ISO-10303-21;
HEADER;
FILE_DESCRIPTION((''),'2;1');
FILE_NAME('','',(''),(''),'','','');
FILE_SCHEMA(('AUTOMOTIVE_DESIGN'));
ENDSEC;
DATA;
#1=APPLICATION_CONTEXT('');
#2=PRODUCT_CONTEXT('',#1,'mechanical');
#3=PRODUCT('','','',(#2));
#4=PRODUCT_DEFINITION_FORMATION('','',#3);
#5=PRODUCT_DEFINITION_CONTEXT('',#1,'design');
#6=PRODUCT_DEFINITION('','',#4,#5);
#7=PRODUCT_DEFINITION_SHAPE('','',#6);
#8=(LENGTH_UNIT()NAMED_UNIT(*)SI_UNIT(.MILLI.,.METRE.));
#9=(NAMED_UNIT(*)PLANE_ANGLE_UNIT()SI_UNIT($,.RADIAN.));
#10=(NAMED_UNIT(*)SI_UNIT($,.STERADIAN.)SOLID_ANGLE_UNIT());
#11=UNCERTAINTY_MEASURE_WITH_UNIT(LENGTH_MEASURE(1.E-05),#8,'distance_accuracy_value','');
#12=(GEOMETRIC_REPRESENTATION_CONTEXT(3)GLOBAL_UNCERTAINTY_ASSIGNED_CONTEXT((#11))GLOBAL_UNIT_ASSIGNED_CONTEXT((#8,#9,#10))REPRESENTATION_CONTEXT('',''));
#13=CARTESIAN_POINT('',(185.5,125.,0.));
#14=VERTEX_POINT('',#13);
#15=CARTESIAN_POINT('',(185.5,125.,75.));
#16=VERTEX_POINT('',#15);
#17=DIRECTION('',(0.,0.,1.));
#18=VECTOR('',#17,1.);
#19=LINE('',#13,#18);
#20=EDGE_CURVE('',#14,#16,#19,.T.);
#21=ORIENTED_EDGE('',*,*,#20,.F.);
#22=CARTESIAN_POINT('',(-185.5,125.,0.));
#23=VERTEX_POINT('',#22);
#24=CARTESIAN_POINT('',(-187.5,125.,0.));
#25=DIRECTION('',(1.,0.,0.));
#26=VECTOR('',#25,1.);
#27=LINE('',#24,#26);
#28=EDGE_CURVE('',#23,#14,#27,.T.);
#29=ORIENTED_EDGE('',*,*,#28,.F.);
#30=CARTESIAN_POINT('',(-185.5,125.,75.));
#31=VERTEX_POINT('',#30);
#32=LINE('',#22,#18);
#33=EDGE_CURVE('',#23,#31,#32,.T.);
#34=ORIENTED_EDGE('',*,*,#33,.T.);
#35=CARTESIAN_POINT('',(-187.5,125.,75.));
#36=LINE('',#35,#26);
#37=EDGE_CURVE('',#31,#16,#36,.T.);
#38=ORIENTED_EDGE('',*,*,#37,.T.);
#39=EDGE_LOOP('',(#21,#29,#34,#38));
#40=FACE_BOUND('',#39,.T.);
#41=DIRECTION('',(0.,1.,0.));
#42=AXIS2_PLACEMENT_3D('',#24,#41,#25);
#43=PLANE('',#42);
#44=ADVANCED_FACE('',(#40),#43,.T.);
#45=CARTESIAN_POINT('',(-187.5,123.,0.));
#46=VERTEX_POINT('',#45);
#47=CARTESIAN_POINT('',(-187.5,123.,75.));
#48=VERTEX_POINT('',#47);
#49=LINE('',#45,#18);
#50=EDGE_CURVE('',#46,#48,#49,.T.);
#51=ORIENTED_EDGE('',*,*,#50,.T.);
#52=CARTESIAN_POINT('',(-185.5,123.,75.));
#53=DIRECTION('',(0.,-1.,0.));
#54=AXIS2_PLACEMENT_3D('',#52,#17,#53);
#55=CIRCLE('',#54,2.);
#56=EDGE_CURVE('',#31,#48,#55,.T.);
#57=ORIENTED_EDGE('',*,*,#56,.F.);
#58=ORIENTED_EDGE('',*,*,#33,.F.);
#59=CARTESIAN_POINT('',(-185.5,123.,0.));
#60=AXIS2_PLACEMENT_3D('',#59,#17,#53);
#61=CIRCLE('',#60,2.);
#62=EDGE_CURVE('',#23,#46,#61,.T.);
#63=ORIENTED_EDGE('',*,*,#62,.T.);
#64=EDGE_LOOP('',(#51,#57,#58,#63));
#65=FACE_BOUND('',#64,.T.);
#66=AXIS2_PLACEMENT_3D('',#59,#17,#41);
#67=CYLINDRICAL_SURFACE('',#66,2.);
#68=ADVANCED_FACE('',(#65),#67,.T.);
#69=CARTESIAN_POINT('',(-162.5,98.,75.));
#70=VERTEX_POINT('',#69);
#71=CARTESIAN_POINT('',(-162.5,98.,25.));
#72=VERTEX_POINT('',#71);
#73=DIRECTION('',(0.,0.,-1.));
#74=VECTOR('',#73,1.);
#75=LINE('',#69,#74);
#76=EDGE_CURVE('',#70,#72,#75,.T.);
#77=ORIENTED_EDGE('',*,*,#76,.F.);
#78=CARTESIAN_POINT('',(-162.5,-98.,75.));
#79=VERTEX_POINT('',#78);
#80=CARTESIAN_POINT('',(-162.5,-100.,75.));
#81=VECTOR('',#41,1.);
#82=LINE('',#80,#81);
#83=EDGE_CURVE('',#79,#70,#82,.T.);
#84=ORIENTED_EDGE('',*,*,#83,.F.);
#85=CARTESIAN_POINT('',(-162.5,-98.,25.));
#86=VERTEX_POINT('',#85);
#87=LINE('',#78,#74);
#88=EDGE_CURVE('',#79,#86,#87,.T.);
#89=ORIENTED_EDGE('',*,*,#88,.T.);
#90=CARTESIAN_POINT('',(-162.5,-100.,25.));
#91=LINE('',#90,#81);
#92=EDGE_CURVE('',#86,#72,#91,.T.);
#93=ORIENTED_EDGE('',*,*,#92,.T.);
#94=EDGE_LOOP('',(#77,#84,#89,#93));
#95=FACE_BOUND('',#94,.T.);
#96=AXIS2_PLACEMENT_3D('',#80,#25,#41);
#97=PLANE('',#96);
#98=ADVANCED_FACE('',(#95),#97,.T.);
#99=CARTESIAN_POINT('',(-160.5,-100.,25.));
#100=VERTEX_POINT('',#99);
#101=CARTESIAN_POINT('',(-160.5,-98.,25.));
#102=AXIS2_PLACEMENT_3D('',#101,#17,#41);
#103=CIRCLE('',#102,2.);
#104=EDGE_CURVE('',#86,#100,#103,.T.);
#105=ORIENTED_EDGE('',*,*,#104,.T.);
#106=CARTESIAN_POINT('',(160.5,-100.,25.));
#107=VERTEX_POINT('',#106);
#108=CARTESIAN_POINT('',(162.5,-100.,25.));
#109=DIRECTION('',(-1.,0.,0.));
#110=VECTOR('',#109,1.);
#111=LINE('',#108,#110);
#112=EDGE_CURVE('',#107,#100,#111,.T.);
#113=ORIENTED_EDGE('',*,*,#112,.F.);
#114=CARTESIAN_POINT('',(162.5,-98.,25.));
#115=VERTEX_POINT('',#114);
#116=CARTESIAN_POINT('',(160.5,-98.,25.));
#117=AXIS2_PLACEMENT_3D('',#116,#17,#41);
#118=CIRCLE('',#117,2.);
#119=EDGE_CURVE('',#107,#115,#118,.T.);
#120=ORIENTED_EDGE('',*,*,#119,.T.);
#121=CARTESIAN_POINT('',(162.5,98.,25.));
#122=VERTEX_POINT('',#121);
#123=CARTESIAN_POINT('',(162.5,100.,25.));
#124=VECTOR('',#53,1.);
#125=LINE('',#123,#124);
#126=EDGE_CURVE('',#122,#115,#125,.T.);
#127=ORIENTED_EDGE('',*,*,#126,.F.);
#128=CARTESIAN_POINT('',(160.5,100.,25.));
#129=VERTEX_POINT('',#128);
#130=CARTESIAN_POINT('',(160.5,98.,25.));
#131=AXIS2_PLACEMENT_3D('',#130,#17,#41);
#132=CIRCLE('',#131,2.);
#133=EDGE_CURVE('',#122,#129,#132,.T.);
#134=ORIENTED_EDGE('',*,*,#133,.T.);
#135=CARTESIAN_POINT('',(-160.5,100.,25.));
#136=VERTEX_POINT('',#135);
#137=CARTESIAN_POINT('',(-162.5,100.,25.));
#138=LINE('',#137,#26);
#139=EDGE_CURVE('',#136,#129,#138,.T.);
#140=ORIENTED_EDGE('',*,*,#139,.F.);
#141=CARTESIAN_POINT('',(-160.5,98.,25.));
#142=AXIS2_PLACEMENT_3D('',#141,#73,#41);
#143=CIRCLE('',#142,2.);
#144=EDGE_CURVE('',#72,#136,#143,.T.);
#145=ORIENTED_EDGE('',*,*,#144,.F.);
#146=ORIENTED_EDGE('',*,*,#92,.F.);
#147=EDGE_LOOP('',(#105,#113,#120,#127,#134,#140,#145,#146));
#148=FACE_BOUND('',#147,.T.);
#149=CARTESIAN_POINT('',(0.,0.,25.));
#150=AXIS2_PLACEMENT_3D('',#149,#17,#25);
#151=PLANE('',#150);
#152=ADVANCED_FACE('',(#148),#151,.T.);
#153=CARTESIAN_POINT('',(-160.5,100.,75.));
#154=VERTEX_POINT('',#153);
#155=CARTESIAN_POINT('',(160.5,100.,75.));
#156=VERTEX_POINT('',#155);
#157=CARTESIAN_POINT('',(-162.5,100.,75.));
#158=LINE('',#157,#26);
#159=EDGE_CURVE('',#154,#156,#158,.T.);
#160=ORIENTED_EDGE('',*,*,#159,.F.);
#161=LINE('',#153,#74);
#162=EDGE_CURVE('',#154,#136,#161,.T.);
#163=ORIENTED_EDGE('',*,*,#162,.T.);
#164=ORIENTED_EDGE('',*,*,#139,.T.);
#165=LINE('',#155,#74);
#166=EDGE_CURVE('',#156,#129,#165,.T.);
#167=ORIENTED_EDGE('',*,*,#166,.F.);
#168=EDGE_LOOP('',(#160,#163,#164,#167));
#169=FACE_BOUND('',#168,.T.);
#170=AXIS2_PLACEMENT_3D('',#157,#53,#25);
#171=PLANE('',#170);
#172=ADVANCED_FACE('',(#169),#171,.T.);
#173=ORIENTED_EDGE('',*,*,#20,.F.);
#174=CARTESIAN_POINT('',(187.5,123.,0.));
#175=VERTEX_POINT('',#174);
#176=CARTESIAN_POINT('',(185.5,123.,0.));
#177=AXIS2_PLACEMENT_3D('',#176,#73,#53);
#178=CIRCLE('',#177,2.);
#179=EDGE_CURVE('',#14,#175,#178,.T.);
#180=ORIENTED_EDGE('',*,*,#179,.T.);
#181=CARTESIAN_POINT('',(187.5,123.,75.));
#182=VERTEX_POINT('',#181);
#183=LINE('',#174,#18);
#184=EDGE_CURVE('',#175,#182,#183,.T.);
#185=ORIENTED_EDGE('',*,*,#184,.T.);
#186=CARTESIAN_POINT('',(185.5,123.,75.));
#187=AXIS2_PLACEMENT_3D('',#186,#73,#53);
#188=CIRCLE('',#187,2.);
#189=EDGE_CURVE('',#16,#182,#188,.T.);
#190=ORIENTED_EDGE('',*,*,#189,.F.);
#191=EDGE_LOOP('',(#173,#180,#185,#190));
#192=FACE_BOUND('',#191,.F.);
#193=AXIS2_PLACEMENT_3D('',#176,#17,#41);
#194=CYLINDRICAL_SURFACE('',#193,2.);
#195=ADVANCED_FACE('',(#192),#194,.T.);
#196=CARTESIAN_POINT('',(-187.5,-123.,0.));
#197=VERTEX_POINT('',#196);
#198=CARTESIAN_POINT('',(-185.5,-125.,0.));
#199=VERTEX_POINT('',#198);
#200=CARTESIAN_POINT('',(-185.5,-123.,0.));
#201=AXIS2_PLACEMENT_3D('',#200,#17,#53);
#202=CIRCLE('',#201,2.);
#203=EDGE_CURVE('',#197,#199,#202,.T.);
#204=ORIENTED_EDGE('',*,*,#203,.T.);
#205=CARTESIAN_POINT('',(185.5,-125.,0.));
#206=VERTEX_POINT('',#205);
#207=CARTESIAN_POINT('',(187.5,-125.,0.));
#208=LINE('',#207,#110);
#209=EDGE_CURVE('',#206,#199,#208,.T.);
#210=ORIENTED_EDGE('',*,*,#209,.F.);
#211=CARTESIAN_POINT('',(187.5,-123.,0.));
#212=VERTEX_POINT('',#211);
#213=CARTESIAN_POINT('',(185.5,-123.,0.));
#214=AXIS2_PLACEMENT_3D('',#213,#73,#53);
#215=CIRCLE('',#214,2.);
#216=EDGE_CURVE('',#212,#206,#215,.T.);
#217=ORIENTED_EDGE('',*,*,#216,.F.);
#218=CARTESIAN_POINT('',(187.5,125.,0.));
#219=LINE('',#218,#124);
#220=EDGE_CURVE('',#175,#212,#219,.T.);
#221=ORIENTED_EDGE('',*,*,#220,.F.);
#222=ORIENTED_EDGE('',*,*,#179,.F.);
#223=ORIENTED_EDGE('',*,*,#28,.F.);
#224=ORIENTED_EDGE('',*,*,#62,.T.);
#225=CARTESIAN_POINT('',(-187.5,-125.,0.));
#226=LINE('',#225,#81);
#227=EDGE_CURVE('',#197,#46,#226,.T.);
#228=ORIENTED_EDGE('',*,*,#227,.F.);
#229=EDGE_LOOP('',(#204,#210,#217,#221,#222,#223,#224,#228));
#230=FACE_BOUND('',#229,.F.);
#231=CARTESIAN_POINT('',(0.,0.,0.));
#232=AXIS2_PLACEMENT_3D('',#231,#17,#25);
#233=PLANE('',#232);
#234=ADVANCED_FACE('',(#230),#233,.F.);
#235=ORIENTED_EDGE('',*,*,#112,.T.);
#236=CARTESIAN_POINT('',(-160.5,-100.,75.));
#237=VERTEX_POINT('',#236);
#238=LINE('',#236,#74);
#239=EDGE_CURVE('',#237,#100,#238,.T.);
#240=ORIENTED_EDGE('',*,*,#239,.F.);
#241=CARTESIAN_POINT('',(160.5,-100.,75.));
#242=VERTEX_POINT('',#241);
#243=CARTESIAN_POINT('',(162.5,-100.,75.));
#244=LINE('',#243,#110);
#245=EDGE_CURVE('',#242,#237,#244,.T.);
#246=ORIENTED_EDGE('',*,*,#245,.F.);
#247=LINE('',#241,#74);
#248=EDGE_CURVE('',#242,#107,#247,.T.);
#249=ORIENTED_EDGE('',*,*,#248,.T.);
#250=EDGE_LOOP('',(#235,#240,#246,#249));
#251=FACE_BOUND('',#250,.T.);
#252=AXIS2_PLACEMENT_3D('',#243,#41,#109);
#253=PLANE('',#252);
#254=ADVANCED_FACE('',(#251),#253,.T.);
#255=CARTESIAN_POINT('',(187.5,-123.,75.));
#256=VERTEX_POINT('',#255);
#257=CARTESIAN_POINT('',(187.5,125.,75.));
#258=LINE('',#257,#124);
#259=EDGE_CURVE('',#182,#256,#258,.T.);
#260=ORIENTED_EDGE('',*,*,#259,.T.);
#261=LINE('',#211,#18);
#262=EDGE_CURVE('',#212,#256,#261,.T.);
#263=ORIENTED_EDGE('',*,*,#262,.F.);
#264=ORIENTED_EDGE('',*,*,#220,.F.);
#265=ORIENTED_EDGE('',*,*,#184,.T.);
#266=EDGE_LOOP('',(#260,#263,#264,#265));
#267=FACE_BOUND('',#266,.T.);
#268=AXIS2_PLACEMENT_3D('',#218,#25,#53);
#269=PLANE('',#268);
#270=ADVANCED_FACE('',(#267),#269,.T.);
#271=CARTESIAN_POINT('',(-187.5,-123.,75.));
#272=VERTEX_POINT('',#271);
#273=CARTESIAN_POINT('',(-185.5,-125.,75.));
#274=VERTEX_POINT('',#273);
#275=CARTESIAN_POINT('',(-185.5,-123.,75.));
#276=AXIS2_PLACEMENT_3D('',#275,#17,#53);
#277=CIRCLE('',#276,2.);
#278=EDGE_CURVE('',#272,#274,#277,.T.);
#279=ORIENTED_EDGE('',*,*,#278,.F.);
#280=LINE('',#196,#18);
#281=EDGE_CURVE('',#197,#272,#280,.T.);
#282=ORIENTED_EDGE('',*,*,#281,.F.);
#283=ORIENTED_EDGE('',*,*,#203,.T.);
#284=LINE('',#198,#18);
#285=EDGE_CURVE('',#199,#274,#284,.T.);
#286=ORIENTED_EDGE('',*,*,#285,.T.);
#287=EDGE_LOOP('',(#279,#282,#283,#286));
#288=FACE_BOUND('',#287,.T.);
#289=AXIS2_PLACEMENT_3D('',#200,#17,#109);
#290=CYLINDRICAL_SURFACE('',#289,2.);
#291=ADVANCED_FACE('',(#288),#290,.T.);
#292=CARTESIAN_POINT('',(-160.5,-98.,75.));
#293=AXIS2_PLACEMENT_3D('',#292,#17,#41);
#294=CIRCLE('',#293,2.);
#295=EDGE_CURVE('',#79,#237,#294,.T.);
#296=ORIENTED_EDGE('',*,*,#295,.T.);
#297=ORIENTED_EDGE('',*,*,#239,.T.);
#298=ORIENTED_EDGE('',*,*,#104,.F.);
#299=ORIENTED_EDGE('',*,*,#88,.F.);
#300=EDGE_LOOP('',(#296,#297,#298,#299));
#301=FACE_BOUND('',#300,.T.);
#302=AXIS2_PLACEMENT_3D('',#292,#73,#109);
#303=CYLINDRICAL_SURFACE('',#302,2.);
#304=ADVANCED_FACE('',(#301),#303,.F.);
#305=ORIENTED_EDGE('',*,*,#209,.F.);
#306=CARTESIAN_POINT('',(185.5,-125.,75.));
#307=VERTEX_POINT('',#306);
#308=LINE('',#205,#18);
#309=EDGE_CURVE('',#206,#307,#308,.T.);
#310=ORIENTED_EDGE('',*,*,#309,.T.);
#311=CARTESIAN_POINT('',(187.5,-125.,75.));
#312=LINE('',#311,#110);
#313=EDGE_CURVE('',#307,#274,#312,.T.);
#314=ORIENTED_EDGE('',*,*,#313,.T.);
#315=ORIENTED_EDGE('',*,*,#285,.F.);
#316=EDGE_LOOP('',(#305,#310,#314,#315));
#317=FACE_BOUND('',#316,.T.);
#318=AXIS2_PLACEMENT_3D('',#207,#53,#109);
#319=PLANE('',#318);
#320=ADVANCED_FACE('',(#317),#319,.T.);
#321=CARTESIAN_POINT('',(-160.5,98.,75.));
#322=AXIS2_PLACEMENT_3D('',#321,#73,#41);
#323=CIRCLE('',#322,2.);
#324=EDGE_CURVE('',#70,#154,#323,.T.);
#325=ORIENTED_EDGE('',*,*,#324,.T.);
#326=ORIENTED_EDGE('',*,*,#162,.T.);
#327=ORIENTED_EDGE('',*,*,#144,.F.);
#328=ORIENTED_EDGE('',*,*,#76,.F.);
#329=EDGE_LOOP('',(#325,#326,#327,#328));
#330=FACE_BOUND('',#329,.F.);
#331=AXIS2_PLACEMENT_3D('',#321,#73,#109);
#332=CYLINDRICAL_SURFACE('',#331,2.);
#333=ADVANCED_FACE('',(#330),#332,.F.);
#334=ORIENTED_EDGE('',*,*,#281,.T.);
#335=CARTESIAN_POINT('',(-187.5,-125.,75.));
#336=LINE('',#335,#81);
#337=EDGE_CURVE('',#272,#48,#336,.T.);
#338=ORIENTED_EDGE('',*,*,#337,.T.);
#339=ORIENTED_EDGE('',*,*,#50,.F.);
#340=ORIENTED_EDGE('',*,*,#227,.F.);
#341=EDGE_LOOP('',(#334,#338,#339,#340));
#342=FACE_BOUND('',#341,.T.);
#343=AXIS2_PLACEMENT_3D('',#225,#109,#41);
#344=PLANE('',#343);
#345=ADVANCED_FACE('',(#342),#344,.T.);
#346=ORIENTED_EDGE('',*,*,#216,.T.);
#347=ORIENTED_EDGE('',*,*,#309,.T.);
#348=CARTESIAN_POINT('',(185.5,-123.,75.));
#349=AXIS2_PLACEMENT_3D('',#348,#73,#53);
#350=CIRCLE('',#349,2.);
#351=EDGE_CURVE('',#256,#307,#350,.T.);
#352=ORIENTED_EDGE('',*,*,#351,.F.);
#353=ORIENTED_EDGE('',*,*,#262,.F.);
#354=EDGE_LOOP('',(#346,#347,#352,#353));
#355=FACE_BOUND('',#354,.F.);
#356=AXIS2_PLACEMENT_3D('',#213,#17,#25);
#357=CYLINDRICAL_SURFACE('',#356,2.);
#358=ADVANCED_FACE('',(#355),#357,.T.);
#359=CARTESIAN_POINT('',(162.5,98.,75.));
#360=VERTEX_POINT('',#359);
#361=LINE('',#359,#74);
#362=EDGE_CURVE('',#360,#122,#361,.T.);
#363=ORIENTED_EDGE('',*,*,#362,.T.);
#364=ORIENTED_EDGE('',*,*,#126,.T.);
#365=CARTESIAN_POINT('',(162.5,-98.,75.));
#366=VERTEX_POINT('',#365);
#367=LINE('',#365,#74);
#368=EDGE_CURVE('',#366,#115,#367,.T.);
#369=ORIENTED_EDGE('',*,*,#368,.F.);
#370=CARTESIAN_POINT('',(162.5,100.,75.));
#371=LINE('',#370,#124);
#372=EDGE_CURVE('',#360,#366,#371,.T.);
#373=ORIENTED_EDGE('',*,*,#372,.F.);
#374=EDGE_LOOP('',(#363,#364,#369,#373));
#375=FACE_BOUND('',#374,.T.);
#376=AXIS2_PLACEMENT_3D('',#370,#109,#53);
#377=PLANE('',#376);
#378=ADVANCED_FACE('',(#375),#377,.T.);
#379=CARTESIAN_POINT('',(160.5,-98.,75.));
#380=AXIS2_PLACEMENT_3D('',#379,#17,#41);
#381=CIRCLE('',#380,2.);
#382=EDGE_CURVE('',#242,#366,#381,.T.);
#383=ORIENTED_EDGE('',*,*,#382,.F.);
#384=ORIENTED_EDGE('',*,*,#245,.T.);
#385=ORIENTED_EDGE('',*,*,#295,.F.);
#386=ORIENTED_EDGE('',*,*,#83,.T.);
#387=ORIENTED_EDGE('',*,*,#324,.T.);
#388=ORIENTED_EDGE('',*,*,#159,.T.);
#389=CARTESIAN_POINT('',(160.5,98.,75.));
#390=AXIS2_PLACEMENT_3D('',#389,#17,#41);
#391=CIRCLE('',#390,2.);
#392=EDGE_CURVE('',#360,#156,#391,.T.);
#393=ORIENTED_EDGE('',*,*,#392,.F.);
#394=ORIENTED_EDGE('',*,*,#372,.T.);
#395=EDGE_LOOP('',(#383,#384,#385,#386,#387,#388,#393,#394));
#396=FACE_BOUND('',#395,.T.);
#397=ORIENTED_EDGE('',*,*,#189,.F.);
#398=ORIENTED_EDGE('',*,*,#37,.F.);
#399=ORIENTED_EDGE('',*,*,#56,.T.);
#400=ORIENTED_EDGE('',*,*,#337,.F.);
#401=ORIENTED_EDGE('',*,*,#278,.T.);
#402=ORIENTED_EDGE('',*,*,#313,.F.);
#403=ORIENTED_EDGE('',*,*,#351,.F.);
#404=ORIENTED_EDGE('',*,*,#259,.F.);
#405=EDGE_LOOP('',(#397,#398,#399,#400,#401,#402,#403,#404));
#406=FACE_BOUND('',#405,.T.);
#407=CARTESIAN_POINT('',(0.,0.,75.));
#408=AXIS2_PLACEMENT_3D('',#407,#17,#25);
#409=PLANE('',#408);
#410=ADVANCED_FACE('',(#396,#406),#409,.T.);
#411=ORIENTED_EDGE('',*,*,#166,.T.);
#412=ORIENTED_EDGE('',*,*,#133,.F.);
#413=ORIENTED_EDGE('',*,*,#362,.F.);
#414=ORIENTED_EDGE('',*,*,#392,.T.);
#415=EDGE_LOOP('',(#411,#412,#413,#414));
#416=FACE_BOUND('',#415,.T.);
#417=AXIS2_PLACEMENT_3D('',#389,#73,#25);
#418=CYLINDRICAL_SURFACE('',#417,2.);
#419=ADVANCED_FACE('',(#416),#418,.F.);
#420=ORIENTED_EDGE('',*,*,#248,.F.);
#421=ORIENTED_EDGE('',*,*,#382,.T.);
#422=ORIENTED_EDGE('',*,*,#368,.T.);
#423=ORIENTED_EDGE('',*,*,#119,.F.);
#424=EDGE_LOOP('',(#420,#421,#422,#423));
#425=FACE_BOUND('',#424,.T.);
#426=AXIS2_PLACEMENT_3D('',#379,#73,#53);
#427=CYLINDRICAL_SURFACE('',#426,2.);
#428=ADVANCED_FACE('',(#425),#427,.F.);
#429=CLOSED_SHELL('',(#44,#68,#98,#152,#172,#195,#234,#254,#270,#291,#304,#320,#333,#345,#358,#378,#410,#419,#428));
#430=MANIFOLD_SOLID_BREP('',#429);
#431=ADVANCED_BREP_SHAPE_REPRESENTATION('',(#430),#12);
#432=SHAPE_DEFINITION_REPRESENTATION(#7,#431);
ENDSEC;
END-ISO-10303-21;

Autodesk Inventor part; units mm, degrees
ref_plane "YZ Plane" through (0, 0, 0) normal (1, 0, 0) x (0, 1, 0)
ref_plane "XZ Plane" through (0, 0, 0) normal (0, 1, 0) x (-1, 0, 0)
ref_plane "XY Plane" through (0, 0, 0) normal (0, 0, 1) x (1, 0, 0)
sketch "PanelDimension" plane through (0, 0, 0) normal (0, 0, 1) x (1, 0, 0)
  line L0 (-187.5, 125) -> (187.5, 125)
  line L1 (187.5, 125) -> (187.5, -125)
  line L2 (187.5, -125) -> (-187.5, -125)
  line L3 (-187.5, -125) -> (-187.5, 125)
  point P0 (0, 0)
  point P1 (-187.5, 0)
  point P2 (0, 125)
  dimension "d0" = 375
  dimension "d2" = 250
extrude "BodyExtrusion" add sketch "PanelDimension" along normal blind 75
sketch "PanelInside" plane through (0, 0, 75) normal (0, 0, 1) x (1, 0, 0)
  line L0 (187.5, 125) -> (-187.5, 125) projected
  line L1 (-187.5, 125) -> (-187.5, -125) projected
  line L2 (-162.5, 100) -> (162.5, 100)
  line L3 (162.5, 100) -> (162.5, -100)
  line L4 (162.5, -100) -> (-162.5, -100)
  line L5 (-162.5, -100) -> (-162.5, 100)
  point P0 (0, 0)
  point P1 (-162.5, 0)
  point P2 (0, 100)
  dimension "d7" = 25
  dimension "d8" = 25
extrude "CavityExtrusion" cut sketch "PanelInside" against normal blind 50
fillet "BodyOutsideFillet" radius 2 4 edges at (-187.5, 125, 37.5) (187.5, 125, 37.5) (187.5, -125, 37.5) (-187.5, -125, 37.5)
fillet "BodyInsideFillet" radius 2 4 edges at (162.5, 100, 50) (-162.5, 100, 50) (-162.5, -100, 50) (162.5, -100, 50)
properties part number "Panel_Body"
